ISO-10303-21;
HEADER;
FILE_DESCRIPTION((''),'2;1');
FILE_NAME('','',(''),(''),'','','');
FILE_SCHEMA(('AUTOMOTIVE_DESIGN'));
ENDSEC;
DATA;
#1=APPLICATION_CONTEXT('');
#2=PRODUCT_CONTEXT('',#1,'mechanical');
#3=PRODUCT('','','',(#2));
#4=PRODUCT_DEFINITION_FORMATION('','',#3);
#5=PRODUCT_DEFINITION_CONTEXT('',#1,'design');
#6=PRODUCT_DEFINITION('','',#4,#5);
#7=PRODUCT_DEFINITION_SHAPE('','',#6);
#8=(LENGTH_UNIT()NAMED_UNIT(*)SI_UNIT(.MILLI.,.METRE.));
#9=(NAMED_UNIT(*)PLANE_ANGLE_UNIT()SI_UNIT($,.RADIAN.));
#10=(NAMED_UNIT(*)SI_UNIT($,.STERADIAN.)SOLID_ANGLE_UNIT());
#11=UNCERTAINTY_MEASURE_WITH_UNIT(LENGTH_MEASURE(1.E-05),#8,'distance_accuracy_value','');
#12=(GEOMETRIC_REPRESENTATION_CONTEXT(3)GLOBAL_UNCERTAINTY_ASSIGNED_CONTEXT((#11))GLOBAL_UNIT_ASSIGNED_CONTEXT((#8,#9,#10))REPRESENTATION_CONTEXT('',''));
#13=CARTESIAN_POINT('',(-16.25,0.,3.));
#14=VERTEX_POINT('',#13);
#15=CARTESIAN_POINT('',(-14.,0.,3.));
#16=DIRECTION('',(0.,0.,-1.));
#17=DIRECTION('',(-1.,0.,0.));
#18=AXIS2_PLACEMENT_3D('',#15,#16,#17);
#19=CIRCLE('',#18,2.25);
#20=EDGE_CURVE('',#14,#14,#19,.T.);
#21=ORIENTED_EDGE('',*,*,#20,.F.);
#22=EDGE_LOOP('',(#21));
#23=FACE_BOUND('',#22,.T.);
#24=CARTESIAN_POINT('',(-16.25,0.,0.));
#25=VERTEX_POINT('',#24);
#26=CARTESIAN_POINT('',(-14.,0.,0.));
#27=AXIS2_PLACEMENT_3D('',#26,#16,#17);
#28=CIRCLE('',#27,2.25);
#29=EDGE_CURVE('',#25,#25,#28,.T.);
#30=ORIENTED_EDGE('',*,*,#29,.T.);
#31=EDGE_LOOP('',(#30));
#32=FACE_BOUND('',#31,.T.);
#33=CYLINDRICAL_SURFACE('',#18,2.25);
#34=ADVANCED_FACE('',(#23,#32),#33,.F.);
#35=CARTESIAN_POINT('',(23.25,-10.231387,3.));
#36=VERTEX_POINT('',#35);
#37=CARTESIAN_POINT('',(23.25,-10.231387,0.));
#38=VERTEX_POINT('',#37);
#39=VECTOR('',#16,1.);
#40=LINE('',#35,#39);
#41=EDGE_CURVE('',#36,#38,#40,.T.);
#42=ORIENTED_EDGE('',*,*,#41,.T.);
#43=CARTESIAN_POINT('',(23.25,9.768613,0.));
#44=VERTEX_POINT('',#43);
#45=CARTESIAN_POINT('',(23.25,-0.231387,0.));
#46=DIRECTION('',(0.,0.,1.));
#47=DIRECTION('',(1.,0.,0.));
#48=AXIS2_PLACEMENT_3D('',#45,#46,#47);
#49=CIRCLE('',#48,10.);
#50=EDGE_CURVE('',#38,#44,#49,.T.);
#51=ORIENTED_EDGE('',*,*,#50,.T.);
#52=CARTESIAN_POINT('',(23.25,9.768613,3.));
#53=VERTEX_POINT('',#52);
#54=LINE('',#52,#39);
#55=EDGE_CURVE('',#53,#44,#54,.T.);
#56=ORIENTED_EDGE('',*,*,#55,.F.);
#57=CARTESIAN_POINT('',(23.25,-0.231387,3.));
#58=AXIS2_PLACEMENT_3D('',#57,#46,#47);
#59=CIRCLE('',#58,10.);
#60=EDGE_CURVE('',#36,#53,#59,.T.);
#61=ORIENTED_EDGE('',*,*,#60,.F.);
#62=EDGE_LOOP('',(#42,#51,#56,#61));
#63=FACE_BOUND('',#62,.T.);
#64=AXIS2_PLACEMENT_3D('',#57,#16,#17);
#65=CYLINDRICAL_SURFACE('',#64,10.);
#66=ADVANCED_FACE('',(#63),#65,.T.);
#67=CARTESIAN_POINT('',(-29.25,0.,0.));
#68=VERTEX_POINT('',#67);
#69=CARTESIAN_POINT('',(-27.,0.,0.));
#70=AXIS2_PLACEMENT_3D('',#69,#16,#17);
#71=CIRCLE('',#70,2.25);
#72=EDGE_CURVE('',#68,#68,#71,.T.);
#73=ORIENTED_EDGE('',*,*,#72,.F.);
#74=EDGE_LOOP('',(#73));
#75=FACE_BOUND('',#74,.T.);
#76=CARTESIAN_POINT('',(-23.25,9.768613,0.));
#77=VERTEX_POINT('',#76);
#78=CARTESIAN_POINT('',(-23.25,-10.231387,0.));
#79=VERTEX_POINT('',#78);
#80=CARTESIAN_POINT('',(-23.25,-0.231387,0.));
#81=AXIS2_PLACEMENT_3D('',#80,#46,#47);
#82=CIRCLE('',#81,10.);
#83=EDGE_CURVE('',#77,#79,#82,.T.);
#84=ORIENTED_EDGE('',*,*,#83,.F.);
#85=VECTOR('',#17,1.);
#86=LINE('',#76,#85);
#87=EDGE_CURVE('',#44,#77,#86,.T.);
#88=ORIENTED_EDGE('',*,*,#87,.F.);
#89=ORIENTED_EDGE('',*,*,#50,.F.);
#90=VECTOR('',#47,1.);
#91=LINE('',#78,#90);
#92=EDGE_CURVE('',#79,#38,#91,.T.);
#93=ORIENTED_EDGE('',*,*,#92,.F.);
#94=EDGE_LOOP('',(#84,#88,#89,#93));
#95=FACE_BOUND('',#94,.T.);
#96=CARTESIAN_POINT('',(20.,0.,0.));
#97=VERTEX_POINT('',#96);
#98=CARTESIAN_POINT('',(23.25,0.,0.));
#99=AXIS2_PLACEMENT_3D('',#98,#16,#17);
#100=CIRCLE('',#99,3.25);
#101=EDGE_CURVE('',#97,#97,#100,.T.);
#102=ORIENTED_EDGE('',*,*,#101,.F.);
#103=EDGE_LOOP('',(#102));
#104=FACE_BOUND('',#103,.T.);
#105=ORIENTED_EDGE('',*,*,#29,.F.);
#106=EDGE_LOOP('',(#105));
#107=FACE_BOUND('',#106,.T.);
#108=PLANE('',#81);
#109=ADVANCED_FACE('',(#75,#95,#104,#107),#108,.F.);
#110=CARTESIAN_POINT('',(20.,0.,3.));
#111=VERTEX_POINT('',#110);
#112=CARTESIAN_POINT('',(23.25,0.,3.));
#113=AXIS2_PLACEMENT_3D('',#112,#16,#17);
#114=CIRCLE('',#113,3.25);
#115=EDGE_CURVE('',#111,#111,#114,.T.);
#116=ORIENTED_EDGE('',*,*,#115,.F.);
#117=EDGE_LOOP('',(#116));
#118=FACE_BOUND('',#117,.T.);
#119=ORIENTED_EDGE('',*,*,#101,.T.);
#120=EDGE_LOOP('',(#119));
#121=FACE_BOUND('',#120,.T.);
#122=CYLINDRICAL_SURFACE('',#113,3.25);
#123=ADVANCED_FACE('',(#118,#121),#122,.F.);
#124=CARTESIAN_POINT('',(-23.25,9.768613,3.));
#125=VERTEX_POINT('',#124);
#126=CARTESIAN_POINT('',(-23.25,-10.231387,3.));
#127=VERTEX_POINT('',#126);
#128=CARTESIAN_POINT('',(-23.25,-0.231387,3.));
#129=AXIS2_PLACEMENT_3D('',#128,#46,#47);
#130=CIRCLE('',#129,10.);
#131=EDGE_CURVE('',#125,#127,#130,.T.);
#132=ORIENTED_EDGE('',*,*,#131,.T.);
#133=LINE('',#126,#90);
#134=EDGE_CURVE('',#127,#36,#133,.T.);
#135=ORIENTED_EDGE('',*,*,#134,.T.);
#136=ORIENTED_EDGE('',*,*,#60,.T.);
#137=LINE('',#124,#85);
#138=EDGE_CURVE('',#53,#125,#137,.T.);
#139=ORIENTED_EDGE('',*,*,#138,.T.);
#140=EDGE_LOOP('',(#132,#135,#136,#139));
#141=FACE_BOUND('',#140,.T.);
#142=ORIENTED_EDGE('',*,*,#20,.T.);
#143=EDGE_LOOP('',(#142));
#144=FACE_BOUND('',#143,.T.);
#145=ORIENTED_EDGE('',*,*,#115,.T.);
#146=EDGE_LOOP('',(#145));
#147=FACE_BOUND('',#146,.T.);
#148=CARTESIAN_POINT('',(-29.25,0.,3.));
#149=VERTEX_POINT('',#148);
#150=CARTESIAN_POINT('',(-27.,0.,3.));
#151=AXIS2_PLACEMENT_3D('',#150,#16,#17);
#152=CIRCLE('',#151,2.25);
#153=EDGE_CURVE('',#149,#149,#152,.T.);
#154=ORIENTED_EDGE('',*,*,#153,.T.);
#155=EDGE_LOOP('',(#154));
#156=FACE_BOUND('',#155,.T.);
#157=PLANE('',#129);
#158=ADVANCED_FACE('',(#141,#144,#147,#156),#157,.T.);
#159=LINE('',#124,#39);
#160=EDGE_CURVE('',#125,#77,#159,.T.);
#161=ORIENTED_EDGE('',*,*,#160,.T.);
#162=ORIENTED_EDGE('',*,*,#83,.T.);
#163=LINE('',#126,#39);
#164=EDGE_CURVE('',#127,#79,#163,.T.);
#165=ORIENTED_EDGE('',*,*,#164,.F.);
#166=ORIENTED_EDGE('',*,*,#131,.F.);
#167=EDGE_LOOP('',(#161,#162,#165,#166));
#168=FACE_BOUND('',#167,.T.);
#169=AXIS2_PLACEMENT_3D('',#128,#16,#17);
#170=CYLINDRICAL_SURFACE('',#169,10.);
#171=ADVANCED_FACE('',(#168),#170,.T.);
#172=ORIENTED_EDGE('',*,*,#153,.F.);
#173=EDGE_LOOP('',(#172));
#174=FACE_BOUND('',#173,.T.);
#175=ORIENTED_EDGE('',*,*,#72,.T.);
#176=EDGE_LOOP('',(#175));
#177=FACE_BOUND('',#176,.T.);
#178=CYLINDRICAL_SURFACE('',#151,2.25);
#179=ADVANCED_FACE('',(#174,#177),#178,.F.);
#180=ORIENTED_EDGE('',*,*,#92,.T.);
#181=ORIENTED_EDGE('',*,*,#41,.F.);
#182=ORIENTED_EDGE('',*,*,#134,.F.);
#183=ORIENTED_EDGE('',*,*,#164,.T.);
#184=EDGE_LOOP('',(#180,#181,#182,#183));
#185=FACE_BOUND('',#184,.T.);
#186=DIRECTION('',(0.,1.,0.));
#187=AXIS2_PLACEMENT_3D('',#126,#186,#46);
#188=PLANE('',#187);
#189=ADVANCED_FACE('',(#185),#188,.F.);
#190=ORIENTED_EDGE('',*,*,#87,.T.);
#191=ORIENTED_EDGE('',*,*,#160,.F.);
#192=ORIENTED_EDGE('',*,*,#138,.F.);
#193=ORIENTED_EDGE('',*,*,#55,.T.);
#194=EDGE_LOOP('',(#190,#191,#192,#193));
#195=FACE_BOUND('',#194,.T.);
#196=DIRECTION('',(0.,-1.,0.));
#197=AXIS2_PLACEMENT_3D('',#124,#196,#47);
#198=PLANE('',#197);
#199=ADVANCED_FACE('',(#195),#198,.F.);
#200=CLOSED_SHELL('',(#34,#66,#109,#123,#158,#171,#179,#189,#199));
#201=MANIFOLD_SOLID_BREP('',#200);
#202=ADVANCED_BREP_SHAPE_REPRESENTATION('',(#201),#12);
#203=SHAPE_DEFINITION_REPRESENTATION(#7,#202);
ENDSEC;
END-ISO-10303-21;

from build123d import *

# Parameters (mm, degrees)
SALIENTE_EXTRUIR1_DEPTH = 3
CROQUIS2_R              = 2.25
CROQUIS2_R_2            = 3.25
CORTAR_EXTRUIR1_DEPTH   = 3


with BuildPart() as part:
    # Croquis1 → Saliente-Extruir1 (new body)
    with BuildSketch(Plane.XY):
        with BuildLine():
            Line((-23.25, 9.768613172), (23.25, 9.768613172))
            ThreePointArc((23.25, 9.768613172), (33.25, -0.231386828), (23.25, -10.231386828))
            Line((23.25, -10.231386828), (-23.25, -10.231386828))
            ThreePointArc((-23.25, -10.231386828), (-33.25, -0.231386828), (-23.25, 9.768613172))
        make_face()
    extrude(amount=SALIENTE_EXTRUIR1_DEPTH)

    # Croquis2 → Cortar-Extruir1 (cut)
    with BuildSketch(Plane(origin=(0, 0, 0), x_dir=(-1, 0, 0), z_dir=(0, 0, -1))):
        with Locations((14, 0)):
            Circle(CROQUIS2_R)
        with Locations((27, 0)):
            Circle(CROQUIS2_R)
        with Locations((-23.25, 0)):
            Circle(CROQUIS2_R_2)
    extrude(amount=-CORTAR_EXTRUIR1_DEPTH, mode=Mode.SUBTRACT)


solid = part.part
